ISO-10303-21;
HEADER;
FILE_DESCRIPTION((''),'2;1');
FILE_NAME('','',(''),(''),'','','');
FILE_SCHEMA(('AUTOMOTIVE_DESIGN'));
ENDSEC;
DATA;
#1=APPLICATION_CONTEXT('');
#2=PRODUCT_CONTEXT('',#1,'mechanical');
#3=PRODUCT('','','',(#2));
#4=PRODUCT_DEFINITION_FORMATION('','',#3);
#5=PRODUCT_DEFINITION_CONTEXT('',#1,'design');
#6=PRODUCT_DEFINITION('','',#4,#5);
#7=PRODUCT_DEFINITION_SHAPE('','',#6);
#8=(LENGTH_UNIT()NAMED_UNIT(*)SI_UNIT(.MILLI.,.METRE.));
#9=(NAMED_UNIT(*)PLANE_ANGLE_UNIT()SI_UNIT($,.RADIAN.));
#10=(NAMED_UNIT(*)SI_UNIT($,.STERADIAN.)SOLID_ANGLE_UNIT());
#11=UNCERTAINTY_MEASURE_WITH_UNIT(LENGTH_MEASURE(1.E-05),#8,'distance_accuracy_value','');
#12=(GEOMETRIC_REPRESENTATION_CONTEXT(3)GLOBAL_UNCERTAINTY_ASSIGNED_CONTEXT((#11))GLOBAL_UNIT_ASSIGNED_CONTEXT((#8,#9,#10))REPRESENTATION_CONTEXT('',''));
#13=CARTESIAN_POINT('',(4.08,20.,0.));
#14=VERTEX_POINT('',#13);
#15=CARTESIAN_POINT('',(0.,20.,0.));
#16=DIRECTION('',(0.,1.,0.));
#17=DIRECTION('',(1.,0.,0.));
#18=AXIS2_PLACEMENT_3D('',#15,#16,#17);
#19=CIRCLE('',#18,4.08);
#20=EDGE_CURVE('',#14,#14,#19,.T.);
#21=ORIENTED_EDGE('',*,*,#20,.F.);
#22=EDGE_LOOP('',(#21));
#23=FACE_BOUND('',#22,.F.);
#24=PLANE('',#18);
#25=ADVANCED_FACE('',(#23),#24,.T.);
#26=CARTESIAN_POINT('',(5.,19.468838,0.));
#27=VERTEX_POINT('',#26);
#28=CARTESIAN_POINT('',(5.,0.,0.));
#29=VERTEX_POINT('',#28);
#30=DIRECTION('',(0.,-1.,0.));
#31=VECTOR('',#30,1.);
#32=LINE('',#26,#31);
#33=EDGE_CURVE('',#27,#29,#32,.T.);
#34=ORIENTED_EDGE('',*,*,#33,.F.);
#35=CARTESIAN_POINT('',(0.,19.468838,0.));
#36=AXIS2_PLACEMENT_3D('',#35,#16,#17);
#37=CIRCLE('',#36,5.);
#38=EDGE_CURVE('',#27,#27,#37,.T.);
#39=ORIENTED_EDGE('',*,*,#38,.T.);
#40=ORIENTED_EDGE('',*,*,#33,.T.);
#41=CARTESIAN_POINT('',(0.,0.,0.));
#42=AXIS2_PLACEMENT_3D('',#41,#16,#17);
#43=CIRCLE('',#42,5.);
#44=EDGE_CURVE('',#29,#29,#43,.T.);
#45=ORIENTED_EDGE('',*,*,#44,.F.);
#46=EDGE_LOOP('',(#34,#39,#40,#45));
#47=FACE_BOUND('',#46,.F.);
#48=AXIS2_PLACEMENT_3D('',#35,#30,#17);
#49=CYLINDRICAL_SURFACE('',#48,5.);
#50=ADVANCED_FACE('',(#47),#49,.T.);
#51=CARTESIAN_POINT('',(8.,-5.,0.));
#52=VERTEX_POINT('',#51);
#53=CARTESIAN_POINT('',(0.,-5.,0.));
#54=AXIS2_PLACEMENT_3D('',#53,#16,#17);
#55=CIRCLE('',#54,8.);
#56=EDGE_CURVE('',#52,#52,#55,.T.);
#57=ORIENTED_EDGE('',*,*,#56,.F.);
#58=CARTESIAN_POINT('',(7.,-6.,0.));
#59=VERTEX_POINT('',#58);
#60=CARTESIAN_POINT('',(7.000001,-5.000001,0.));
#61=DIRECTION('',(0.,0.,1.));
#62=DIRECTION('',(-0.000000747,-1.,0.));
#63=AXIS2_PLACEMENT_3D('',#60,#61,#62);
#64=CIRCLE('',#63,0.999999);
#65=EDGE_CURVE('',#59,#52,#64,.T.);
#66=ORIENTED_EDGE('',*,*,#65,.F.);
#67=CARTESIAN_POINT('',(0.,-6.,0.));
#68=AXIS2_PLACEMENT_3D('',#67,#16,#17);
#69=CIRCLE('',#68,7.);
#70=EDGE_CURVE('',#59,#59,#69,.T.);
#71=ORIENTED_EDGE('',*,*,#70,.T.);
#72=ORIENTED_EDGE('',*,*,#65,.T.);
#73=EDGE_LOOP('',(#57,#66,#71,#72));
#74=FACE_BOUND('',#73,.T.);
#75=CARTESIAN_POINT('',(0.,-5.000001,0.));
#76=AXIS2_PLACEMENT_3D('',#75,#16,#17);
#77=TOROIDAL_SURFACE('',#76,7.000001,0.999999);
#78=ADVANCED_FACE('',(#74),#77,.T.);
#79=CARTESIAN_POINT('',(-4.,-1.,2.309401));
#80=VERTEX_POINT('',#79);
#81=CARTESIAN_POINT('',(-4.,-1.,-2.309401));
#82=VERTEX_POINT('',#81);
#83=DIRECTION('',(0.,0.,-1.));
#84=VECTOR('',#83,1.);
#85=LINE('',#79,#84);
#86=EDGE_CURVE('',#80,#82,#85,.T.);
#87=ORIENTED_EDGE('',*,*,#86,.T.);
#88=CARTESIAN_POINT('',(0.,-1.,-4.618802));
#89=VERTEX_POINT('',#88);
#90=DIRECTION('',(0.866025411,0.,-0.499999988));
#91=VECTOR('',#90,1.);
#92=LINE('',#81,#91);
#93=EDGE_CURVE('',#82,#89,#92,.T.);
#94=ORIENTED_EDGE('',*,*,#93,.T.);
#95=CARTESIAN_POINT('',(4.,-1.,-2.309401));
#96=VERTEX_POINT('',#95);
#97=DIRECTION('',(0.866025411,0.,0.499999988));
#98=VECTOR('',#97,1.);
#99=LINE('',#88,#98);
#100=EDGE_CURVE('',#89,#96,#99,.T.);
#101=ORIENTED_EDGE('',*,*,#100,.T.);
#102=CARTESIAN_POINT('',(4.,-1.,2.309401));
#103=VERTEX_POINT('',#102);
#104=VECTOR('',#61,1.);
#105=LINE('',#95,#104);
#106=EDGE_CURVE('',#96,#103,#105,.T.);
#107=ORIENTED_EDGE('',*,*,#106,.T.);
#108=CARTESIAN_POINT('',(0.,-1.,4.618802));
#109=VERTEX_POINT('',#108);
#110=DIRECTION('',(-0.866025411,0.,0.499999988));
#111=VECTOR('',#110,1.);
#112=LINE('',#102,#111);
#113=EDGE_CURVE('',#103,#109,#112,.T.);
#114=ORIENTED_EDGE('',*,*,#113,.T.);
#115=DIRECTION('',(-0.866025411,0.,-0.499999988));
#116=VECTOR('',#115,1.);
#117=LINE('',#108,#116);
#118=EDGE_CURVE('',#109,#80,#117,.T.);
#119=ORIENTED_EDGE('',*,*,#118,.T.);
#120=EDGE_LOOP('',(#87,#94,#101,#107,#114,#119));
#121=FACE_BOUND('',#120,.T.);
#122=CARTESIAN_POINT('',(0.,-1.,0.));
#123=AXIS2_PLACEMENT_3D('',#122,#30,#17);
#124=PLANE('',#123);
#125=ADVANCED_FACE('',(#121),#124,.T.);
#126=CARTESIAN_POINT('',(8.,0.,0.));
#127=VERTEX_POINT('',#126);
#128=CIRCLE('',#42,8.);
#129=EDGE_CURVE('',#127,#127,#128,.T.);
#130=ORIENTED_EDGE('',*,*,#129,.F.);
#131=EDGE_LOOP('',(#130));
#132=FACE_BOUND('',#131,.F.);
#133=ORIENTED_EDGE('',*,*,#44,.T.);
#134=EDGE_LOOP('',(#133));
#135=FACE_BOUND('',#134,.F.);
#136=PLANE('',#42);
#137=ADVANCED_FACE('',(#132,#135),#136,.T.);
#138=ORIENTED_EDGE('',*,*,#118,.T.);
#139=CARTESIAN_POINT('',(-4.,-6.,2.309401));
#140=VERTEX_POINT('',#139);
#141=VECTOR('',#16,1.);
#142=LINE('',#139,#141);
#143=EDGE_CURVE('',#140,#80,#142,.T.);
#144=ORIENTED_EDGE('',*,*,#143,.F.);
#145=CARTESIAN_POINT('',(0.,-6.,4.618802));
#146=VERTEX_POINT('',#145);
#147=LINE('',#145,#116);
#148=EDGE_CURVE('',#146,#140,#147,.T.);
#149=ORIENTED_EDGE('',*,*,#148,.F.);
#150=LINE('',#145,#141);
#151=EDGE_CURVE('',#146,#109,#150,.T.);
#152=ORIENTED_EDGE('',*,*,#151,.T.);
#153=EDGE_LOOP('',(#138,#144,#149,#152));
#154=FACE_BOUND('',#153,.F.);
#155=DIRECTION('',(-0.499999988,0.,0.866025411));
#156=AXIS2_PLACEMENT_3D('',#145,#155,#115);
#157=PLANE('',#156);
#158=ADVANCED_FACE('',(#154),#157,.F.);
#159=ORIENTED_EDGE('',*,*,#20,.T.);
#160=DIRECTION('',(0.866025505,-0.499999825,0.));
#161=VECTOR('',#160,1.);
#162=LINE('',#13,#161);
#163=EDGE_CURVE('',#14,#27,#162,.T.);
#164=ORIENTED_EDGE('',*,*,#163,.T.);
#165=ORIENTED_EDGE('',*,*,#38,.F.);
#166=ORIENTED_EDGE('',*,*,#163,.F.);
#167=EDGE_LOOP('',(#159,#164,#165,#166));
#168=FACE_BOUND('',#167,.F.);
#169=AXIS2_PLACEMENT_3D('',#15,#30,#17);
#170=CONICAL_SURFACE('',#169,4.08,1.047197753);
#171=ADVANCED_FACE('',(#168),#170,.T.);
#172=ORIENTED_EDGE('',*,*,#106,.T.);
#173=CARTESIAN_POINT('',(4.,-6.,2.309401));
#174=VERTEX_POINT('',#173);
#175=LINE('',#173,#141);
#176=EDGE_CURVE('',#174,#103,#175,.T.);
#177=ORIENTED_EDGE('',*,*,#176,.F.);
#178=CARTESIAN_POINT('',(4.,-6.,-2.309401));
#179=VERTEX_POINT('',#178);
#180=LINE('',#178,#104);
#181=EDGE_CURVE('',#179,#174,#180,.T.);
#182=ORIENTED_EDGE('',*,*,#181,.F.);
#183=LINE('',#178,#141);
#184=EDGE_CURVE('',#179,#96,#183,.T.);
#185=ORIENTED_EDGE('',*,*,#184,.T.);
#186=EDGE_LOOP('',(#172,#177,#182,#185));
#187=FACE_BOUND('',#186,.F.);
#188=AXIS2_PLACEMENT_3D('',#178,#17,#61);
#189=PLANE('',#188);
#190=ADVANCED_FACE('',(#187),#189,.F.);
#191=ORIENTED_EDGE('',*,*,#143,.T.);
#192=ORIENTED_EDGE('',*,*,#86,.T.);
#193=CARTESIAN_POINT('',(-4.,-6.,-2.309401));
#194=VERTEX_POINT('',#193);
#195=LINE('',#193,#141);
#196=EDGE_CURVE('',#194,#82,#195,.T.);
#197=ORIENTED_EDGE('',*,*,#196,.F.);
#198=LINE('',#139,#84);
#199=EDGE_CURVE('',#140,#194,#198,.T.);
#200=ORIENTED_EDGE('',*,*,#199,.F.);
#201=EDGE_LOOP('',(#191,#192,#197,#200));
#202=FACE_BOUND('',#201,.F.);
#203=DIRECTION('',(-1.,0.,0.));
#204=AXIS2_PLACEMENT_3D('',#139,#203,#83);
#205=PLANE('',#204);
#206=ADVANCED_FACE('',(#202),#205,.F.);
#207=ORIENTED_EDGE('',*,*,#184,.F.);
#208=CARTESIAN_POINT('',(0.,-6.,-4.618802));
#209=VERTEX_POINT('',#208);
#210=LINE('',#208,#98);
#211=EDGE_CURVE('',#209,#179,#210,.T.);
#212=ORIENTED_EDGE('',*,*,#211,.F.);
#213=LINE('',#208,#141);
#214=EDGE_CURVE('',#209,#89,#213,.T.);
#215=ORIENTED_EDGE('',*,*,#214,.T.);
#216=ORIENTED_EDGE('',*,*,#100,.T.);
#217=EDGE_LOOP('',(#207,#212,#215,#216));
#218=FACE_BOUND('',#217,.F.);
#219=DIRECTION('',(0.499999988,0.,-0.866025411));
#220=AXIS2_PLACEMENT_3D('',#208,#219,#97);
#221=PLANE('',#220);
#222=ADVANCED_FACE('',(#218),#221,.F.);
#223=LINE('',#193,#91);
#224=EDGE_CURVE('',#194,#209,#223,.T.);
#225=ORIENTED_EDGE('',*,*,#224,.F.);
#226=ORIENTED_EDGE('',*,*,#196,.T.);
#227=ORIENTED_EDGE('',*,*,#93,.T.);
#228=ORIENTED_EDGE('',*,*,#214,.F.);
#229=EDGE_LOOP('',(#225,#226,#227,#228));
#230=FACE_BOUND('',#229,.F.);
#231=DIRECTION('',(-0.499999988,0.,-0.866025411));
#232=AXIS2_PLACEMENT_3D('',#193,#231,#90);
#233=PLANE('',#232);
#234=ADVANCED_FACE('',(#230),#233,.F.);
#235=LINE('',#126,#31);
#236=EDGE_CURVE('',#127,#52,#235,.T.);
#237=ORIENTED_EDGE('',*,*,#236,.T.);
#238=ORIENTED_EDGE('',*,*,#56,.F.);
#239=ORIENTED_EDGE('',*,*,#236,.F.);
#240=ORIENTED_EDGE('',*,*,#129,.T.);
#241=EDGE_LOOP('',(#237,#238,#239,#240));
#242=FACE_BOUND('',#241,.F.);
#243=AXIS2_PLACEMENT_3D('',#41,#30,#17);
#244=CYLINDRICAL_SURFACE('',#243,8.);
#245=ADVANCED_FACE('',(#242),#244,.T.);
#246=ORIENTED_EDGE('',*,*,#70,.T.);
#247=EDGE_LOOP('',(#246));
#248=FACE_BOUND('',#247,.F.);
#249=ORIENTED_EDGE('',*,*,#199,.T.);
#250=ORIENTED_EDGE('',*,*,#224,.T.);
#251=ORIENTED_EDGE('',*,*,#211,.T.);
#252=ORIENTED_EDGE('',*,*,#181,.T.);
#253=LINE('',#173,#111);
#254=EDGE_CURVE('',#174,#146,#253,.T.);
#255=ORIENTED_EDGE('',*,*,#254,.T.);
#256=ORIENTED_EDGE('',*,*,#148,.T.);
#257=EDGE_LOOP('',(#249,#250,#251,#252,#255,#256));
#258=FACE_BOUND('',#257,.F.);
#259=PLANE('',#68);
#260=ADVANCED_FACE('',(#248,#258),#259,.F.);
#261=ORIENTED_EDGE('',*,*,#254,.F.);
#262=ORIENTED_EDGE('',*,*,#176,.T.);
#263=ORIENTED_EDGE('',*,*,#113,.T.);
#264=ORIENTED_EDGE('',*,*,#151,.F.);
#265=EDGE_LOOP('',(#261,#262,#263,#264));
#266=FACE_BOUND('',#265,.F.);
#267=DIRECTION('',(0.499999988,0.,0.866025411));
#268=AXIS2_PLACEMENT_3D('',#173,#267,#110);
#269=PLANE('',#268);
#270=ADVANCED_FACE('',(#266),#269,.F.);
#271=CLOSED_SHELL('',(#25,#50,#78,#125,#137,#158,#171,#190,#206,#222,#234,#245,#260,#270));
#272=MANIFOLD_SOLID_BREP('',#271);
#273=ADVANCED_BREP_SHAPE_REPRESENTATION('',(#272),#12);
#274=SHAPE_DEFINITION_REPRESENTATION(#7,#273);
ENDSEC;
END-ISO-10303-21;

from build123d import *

# Parameters (mm, degrees)
POCKET_DEPTH = 5


with BuildPart() as part:
    # Sketch → Revolution (revolve)
    with BuildSketch(Plane.XY):
        with BuildLine():
            Line((5, 0), (8, 0))
            Line((8, 0), (8, -5))
            ThreePointArc((7, -6), (7.707107, -5.707107), (8, -5))
            Line((7, -6), (0, -6))
            Line((0, -6), (0, 20))
            Line((0, 20), (4.08, 20))
            Line((4.08, 20), (5, 19.468838))
            Line((5, 19.468838), (5, 0))
        make_face()
    revolve(axis=Axis((0, 0, 0), (0, 1, 0)))

    # Sketch001 → Pocket (cut)
    with BuildSketch(Plane.XZ.offset(6)):
        Polygon((-4, 2.309401), (-4, -2.309401), (0, -4.618802), (4, -2.309401), (4, 2.309401), (0, 4.618802), align=None)
    extrude(amount=-POCKET_DEPTH, mode=Mode.SUBTRACT)


solid = part.part
